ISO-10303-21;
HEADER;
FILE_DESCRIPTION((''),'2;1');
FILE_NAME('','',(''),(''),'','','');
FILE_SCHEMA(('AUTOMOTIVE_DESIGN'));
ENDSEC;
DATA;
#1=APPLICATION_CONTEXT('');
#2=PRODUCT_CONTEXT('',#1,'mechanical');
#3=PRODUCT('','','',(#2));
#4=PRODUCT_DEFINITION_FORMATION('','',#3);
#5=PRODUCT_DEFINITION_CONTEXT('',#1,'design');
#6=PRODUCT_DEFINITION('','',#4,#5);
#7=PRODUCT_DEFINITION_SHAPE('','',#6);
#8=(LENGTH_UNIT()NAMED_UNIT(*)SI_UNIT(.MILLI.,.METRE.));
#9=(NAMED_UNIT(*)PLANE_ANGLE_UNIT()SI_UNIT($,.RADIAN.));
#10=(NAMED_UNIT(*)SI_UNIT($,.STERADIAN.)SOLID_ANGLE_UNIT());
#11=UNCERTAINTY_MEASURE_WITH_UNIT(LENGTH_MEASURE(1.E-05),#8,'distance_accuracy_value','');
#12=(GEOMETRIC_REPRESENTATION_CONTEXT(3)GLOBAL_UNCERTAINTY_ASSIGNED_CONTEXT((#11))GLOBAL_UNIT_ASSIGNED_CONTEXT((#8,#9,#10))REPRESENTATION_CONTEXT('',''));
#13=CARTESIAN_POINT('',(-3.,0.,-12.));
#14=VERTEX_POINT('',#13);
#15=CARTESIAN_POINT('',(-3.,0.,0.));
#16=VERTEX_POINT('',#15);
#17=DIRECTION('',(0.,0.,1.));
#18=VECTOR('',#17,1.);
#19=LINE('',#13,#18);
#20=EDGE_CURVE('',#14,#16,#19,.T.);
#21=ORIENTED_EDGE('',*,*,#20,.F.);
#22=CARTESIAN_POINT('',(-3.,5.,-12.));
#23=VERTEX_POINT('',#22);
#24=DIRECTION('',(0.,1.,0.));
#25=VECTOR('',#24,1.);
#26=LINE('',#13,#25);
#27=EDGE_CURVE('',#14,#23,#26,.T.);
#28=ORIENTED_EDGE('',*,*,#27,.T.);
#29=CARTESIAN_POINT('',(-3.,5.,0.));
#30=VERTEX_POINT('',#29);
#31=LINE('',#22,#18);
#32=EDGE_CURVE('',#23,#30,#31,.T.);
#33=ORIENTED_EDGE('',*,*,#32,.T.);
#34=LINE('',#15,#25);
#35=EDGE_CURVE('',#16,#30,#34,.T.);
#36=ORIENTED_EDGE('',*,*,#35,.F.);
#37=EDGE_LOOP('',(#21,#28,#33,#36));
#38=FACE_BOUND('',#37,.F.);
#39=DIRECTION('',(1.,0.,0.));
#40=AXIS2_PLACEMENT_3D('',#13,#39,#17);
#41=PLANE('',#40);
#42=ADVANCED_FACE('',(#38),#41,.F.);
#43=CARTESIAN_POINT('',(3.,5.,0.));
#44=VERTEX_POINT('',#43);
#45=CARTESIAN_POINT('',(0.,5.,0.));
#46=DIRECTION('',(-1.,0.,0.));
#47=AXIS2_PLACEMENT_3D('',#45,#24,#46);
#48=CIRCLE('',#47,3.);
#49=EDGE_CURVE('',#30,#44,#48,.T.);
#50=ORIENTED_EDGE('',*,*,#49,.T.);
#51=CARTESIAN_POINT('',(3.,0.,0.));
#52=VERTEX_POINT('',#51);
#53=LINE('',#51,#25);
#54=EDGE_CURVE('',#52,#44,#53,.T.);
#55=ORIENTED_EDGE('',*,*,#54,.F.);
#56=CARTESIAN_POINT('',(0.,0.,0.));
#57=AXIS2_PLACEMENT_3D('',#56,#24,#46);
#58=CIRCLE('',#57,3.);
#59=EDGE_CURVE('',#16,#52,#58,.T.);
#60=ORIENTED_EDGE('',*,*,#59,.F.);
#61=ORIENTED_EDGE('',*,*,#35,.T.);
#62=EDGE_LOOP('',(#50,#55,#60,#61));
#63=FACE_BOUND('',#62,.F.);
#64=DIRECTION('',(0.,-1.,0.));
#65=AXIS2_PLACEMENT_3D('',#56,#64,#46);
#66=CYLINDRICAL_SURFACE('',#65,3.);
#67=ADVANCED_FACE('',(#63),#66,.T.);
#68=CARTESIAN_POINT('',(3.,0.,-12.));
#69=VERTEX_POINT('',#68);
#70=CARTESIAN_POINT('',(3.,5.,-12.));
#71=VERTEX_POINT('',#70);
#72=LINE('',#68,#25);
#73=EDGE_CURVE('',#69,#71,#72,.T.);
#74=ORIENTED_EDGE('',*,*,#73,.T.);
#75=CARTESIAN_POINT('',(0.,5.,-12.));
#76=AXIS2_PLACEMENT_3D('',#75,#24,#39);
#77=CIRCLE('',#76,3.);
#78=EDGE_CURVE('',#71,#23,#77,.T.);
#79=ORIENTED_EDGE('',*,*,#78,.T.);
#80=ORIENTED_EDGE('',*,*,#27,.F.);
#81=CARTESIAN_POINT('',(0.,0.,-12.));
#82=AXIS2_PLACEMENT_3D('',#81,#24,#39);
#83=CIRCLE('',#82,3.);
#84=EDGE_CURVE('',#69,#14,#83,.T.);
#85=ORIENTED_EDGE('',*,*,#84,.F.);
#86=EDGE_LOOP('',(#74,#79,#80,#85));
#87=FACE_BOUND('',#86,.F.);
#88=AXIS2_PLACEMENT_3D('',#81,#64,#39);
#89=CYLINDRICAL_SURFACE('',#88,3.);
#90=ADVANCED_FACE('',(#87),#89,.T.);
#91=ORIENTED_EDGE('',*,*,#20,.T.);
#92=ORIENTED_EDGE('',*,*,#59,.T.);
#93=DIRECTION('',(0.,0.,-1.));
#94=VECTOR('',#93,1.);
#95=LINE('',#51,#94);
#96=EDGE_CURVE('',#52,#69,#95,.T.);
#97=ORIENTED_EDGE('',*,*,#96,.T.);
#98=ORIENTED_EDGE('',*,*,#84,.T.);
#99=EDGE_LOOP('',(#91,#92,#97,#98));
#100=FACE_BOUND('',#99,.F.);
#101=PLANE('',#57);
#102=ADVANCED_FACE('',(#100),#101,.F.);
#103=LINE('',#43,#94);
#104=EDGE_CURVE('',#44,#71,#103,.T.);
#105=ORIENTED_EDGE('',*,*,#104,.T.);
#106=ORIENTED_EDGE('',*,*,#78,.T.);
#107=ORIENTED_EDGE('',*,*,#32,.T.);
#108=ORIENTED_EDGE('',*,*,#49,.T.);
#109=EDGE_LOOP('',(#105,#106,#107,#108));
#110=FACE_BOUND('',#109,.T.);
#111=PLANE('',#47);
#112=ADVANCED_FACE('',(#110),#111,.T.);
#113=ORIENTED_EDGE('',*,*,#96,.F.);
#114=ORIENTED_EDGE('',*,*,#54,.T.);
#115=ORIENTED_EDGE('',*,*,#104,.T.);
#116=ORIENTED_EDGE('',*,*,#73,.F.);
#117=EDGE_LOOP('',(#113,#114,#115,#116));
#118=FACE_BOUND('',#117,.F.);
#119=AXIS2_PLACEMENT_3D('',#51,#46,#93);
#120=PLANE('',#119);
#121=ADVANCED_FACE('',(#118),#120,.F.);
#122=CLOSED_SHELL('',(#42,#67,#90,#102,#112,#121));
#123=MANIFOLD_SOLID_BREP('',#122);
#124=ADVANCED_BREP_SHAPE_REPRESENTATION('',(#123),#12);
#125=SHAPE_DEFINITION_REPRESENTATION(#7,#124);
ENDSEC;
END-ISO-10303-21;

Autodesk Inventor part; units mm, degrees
ref_plane "YZ Plane" through (0, 0, 0) normal (1, 0, 0) x (0, 1, 0)
ref_plane "XZ Plane" through (0, 0, 0) normal (0, 1, 0) x (-1, 0, 0)
ref_plane "XY Plane" through (0, 0, 0) normal (0, 0, 1) x (1, 0, 0)
sketch "Sketch1" plane through (0, 0, 0) normal (0, 1, 0) x (-1, 0, 0)
  line L0 (0, 0) -> (0, -12) construction
  line L1 (-3, 0) -> (-3, -12)
  line L2 (3, -12) -> (3, 0)
  arc A0 (3, 0) -> (-3, 0) centre (0, 0) ccw
  arc A1 (-3, -12) -> (3, -12) centre (0, -12) ccw
  point P0 (0, -6)
  dimension "d0" = 3
  dimension "d1" = 12
extrude "Extrusion1" add sketch "Sketch1" along normal blind 5
properties part number "nmvr-40 coupler"
